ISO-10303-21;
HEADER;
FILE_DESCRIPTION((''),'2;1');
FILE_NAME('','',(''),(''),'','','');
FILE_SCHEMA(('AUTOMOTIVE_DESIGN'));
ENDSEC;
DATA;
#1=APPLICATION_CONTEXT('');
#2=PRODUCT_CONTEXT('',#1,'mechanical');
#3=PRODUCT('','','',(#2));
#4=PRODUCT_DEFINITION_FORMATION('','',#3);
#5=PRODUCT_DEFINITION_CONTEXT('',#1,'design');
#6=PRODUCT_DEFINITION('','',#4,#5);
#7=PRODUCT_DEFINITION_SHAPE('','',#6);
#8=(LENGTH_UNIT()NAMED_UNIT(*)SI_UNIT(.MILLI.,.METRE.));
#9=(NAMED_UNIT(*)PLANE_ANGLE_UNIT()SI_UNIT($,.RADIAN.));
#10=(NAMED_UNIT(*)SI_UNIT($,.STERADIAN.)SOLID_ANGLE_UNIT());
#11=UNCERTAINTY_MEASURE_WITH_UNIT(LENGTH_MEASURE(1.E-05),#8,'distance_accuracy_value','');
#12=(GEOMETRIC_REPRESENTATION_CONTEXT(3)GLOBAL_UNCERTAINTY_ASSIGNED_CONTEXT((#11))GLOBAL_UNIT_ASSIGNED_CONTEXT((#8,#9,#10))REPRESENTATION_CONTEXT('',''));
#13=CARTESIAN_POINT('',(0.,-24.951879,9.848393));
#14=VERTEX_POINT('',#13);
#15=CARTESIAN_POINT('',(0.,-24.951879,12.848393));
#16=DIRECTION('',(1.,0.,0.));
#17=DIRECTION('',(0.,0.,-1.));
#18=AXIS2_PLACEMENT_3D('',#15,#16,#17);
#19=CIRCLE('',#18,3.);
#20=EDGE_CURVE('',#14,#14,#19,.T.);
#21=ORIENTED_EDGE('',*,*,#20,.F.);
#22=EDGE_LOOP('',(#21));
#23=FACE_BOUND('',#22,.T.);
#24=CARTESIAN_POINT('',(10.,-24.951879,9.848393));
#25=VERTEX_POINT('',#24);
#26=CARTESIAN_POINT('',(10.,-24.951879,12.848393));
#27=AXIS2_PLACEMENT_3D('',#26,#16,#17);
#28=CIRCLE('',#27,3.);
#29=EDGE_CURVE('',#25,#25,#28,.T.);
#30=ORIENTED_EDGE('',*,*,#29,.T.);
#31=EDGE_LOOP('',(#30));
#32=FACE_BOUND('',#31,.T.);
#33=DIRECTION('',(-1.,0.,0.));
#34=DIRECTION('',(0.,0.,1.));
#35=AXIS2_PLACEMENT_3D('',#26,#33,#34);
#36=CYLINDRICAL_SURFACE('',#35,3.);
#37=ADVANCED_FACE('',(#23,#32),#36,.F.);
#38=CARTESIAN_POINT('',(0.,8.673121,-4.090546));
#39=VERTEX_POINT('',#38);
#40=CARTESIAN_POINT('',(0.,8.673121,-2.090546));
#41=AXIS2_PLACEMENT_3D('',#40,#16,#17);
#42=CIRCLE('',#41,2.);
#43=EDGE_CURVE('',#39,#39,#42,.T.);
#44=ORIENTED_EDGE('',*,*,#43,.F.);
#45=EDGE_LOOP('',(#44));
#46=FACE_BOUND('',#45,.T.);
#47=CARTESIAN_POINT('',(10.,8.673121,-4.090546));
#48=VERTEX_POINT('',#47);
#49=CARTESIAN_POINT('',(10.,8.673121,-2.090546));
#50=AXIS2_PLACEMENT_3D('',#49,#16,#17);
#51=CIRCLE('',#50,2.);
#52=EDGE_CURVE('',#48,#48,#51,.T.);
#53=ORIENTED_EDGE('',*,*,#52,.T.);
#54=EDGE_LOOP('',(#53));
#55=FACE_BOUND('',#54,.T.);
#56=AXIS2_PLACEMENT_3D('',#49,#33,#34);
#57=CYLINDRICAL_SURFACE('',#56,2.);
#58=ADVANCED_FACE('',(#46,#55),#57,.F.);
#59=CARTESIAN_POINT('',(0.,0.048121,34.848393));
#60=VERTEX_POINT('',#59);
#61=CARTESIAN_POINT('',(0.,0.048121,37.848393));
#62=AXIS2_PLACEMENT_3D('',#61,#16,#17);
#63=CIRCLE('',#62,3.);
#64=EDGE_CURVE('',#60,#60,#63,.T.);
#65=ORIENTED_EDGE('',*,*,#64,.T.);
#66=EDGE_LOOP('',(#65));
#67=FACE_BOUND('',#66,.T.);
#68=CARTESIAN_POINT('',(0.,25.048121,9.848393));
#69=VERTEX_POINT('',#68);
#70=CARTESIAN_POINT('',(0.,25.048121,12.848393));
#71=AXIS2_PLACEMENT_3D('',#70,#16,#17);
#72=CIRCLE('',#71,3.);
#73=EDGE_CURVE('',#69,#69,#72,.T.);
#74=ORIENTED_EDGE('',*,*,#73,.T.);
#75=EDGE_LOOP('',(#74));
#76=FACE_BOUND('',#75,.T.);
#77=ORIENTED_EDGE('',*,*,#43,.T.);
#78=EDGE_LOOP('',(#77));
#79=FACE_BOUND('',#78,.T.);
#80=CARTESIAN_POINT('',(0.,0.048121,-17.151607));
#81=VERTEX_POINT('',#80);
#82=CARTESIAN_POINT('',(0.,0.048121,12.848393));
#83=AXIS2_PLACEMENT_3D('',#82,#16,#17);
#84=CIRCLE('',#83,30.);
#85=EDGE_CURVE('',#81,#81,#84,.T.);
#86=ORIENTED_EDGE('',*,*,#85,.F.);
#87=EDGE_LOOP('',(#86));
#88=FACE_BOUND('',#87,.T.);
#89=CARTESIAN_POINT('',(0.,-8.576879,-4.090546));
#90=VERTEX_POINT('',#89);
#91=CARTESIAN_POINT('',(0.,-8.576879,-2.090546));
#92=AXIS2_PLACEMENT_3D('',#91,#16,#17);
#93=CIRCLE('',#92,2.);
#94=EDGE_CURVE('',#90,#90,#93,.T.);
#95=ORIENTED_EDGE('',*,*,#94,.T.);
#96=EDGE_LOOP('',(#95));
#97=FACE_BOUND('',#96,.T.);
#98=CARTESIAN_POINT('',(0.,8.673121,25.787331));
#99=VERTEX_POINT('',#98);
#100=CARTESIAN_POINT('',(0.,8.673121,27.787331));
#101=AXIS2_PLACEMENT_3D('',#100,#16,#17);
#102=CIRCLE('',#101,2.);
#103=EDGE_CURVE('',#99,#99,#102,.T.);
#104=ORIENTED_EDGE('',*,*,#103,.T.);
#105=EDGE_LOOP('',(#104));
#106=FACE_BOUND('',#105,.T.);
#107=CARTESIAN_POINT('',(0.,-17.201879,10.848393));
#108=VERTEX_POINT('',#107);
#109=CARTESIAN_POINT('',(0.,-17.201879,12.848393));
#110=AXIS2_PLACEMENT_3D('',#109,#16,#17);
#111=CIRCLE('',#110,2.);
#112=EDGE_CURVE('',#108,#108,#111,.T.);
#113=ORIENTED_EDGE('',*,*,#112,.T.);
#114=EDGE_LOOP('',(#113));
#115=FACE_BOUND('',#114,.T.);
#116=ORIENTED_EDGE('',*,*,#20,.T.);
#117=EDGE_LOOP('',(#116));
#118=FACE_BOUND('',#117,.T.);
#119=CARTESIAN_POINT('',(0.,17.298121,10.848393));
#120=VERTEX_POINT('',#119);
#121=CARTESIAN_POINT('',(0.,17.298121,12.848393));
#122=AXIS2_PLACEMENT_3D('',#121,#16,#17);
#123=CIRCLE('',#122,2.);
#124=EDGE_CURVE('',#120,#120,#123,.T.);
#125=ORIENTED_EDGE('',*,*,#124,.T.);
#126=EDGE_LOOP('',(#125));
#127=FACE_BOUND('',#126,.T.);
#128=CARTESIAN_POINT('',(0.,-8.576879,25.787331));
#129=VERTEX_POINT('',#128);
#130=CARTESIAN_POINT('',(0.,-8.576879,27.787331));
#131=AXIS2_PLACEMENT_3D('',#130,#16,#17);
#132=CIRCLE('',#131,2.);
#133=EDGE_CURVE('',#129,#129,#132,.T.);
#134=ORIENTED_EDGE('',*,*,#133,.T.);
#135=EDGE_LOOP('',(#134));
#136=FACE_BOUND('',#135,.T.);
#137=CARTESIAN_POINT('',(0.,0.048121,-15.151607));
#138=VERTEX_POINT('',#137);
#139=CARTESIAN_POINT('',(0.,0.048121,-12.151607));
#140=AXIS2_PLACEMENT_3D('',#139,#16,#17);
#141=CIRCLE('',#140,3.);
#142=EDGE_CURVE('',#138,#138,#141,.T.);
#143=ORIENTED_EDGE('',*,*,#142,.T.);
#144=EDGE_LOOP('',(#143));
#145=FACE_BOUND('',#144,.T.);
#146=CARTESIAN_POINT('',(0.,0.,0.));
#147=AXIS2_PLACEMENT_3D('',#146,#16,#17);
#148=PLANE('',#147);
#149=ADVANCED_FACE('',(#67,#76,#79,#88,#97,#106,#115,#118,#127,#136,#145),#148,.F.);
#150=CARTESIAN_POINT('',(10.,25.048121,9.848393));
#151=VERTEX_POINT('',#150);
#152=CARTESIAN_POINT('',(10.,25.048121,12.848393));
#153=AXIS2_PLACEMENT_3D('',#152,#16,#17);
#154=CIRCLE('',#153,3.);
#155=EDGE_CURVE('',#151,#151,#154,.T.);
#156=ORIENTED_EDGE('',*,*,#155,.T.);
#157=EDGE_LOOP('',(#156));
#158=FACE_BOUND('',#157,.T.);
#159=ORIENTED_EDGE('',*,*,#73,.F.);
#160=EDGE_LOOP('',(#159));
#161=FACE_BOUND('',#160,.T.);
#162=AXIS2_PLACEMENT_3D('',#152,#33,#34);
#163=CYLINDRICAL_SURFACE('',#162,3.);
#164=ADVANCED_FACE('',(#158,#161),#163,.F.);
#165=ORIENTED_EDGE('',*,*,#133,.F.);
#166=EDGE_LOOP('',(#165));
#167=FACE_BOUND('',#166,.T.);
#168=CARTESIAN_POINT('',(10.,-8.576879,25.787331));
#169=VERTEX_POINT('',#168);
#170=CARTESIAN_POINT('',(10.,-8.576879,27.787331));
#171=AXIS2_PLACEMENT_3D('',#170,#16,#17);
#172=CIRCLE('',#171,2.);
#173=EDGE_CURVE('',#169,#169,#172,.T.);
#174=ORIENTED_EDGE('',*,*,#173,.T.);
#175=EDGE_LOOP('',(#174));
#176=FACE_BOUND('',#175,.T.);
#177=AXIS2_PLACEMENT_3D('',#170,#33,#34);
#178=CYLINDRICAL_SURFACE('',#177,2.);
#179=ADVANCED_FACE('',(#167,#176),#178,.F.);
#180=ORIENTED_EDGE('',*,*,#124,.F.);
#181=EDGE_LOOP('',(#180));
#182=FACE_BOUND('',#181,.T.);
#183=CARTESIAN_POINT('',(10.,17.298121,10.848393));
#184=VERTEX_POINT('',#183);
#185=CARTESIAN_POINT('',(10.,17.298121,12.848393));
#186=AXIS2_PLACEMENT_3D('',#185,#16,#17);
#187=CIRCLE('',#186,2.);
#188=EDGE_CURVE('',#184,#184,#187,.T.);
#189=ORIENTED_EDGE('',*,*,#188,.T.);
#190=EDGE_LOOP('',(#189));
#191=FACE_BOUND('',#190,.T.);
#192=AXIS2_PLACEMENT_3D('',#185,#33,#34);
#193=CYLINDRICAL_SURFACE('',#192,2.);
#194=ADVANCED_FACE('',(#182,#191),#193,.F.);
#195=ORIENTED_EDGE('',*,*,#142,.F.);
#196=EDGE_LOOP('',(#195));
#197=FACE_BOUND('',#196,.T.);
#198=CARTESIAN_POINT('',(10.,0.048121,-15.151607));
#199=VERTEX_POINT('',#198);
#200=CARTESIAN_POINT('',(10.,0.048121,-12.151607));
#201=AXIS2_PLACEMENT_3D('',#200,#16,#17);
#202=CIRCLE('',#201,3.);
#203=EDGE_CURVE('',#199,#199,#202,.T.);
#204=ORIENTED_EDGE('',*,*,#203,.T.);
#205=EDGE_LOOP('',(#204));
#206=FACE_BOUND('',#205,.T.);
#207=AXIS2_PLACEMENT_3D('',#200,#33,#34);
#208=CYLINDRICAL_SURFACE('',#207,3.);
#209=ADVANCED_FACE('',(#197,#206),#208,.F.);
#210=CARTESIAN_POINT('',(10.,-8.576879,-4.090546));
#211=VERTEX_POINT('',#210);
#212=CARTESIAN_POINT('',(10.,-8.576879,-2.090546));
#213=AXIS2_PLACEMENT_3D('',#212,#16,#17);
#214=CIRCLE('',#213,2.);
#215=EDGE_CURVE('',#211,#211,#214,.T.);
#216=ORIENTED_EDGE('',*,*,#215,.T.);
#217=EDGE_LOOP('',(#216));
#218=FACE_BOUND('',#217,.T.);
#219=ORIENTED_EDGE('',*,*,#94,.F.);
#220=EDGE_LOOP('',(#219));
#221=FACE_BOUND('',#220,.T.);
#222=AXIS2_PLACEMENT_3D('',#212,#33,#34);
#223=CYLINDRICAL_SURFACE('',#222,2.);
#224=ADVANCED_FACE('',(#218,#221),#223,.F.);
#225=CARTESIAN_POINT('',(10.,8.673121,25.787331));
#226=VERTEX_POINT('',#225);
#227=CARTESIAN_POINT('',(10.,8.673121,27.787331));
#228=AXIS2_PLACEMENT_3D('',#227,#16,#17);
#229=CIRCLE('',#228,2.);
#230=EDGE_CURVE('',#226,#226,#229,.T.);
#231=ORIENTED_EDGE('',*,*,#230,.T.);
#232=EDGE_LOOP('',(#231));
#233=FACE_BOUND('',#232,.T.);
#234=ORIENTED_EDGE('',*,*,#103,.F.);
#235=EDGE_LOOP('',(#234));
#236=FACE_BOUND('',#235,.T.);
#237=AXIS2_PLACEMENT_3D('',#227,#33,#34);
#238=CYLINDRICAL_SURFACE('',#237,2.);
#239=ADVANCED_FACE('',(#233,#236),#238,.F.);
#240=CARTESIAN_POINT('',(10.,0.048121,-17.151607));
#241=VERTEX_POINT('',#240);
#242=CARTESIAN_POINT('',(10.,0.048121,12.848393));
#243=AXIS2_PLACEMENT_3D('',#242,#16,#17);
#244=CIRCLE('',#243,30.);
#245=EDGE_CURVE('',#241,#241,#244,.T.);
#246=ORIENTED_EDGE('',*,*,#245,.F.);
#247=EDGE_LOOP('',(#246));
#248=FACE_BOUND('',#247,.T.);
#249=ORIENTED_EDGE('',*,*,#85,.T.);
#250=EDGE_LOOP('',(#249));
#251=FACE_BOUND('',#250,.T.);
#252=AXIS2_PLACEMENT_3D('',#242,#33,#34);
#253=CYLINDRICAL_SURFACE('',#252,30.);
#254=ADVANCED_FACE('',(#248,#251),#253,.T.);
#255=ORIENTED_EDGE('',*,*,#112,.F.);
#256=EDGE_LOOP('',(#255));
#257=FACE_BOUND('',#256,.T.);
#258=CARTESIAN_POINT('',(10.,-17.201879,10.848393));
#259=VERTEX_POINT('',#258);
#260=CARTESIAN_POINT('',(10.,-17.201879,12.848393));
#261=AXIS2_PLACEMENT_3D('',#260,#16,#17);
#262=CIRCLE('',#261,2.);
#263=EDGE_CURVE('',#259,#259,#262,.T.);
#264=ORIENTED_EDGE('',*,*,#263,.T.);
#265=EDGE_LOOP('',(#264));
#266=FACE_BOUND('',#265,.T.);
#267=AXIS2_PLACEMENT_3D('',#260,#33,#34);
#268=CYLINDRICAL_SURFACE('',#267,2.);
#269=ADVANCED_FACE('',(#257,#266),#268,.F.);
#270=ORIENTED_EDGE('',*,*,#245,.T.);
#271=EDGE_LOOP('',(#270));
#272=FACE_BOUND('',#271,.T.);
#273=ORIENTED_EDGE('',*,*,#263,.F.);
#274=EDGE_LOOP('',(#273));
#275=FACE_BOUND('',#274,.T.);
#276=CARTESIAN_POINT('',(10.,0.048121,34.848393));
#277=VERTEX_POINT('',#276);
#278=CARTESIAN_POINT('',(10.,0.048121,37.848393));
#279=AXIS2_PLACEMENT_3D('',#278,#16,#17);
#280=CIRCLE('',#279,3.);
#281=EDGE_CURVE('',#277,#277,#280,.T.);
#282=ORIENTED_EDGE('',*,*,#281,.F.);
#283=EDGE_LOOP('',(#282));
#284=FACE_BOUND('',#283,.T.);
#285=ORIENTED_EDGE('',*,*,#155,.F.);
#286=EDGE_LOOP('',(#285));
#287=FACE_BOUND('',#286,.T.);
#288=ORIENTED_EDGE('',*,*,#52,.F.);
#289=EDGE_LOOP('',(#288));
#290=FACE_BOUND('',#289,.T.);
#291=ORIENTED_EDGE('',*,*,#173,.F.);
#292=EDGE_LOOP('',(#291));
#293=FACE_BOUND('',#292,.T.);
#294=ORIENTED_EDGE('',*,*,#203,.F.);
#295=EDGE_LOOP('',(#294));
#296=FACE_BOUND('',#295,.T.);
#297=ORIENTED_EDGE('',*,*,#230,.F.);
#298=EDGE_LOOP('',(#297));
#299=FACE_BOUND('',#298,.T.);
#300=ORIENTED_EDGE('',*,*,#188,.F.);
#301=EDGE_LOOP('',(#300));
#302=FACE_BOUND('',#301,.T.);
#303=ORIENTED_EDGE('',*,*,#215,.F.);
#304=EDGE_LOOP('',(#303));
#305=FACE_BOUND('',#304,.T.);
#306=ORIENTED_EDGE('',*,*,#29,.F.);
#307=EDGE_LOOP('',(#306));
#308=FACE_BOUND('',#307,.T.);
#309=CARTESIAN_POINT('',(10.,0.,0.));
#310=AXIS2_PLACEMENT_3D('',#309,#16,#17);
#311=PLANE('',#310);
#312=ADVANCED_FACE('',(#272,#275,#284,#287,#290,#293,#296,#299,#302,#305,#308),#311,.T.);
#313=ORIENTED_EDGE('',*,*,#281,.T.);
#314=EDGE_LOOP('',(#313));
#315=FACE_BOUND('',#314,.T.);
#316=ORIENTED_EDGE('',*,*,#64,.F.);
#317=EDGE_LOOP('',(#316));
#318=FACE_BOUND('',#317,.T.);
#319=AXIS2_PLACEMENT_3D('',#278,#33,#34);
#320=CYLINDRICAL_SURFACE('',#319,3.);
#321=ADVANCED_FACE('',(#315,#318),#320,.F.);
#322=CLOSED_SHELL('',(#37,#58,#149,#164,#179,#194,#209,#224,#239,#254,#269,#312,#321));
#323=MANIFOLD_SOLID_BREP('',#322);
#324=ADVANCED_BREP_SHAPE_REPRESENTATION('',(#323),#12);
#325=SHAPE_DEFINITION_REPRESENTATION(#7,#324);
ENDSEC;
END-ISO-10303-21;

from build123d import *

# Parameters (mm, degrees)
SKETCH_1_R      = 30
SKETCH_1_R_2    = 2
SKETCH_1_R_3    = 3
EXTRUDE_1_DEPTH = 10


with BuildPart() as part:
    # 草图1 → 凸台-拉伸1 (new body)
    with BuildSketch(Plane(origin=(0, 0, 0), x_dir=(0, 0, -1), z_dir=(1, 0, 0))):
        with Locations((-12.848392551, 0.04812132)):
            Circle(SKETCH_1_R)
        with Locations((-12.848392551, 17.29812132)):
            Circle(SKETCH_1_R_2, mode=Mode.SUBTRACT)
        with Locations((2.090545664, 8.67312132)):
            Circle(SKETCH_1_R_2, mode=Mode.SUBTRACT)
        with Locations((2.090545664, -8.57687868)):
            Circle(SKETCH_1_R_2, mode=Mode.SUBTRACT)
        with Locations((-12.848392551, -17.20187868)):
            Circle(SKETCH_1_R_2, mode=Mode.SUBTRACT)
        with Locations((-27.787330766, -8.57687868)):
            Circle(SKETCH_1_R_2, mode=Mode.SUBTRACT)
        with Locations((-27.787330766, 8.67312132)):
            Circle(SKETCH_1_R_2, mode=Mode.SUBTRACT)
        with Locations((-12.848392551, 25.04812132)):
            Circle(SKETCH_1_R_3, mode=Mode.SUBTRACT)
        with Locations((12.151607449, 0.04812132)):
            Circle(SKETCH_1_R_3, mode=Mode.SUBTRACT)
        with Locations((-12.848392551, -24.95187868)):
            Circle(SKETCH_1_R_3, mode=Mode.SUBTRACT)
        with Locations((-37.848392551, 0.04812132)):
            Circle(SKETCH_1_R_3, mode=Mode.SUBTRACT)
    extrude(amount=EXTRUDE_1_DEPTH)


solid = part.part
